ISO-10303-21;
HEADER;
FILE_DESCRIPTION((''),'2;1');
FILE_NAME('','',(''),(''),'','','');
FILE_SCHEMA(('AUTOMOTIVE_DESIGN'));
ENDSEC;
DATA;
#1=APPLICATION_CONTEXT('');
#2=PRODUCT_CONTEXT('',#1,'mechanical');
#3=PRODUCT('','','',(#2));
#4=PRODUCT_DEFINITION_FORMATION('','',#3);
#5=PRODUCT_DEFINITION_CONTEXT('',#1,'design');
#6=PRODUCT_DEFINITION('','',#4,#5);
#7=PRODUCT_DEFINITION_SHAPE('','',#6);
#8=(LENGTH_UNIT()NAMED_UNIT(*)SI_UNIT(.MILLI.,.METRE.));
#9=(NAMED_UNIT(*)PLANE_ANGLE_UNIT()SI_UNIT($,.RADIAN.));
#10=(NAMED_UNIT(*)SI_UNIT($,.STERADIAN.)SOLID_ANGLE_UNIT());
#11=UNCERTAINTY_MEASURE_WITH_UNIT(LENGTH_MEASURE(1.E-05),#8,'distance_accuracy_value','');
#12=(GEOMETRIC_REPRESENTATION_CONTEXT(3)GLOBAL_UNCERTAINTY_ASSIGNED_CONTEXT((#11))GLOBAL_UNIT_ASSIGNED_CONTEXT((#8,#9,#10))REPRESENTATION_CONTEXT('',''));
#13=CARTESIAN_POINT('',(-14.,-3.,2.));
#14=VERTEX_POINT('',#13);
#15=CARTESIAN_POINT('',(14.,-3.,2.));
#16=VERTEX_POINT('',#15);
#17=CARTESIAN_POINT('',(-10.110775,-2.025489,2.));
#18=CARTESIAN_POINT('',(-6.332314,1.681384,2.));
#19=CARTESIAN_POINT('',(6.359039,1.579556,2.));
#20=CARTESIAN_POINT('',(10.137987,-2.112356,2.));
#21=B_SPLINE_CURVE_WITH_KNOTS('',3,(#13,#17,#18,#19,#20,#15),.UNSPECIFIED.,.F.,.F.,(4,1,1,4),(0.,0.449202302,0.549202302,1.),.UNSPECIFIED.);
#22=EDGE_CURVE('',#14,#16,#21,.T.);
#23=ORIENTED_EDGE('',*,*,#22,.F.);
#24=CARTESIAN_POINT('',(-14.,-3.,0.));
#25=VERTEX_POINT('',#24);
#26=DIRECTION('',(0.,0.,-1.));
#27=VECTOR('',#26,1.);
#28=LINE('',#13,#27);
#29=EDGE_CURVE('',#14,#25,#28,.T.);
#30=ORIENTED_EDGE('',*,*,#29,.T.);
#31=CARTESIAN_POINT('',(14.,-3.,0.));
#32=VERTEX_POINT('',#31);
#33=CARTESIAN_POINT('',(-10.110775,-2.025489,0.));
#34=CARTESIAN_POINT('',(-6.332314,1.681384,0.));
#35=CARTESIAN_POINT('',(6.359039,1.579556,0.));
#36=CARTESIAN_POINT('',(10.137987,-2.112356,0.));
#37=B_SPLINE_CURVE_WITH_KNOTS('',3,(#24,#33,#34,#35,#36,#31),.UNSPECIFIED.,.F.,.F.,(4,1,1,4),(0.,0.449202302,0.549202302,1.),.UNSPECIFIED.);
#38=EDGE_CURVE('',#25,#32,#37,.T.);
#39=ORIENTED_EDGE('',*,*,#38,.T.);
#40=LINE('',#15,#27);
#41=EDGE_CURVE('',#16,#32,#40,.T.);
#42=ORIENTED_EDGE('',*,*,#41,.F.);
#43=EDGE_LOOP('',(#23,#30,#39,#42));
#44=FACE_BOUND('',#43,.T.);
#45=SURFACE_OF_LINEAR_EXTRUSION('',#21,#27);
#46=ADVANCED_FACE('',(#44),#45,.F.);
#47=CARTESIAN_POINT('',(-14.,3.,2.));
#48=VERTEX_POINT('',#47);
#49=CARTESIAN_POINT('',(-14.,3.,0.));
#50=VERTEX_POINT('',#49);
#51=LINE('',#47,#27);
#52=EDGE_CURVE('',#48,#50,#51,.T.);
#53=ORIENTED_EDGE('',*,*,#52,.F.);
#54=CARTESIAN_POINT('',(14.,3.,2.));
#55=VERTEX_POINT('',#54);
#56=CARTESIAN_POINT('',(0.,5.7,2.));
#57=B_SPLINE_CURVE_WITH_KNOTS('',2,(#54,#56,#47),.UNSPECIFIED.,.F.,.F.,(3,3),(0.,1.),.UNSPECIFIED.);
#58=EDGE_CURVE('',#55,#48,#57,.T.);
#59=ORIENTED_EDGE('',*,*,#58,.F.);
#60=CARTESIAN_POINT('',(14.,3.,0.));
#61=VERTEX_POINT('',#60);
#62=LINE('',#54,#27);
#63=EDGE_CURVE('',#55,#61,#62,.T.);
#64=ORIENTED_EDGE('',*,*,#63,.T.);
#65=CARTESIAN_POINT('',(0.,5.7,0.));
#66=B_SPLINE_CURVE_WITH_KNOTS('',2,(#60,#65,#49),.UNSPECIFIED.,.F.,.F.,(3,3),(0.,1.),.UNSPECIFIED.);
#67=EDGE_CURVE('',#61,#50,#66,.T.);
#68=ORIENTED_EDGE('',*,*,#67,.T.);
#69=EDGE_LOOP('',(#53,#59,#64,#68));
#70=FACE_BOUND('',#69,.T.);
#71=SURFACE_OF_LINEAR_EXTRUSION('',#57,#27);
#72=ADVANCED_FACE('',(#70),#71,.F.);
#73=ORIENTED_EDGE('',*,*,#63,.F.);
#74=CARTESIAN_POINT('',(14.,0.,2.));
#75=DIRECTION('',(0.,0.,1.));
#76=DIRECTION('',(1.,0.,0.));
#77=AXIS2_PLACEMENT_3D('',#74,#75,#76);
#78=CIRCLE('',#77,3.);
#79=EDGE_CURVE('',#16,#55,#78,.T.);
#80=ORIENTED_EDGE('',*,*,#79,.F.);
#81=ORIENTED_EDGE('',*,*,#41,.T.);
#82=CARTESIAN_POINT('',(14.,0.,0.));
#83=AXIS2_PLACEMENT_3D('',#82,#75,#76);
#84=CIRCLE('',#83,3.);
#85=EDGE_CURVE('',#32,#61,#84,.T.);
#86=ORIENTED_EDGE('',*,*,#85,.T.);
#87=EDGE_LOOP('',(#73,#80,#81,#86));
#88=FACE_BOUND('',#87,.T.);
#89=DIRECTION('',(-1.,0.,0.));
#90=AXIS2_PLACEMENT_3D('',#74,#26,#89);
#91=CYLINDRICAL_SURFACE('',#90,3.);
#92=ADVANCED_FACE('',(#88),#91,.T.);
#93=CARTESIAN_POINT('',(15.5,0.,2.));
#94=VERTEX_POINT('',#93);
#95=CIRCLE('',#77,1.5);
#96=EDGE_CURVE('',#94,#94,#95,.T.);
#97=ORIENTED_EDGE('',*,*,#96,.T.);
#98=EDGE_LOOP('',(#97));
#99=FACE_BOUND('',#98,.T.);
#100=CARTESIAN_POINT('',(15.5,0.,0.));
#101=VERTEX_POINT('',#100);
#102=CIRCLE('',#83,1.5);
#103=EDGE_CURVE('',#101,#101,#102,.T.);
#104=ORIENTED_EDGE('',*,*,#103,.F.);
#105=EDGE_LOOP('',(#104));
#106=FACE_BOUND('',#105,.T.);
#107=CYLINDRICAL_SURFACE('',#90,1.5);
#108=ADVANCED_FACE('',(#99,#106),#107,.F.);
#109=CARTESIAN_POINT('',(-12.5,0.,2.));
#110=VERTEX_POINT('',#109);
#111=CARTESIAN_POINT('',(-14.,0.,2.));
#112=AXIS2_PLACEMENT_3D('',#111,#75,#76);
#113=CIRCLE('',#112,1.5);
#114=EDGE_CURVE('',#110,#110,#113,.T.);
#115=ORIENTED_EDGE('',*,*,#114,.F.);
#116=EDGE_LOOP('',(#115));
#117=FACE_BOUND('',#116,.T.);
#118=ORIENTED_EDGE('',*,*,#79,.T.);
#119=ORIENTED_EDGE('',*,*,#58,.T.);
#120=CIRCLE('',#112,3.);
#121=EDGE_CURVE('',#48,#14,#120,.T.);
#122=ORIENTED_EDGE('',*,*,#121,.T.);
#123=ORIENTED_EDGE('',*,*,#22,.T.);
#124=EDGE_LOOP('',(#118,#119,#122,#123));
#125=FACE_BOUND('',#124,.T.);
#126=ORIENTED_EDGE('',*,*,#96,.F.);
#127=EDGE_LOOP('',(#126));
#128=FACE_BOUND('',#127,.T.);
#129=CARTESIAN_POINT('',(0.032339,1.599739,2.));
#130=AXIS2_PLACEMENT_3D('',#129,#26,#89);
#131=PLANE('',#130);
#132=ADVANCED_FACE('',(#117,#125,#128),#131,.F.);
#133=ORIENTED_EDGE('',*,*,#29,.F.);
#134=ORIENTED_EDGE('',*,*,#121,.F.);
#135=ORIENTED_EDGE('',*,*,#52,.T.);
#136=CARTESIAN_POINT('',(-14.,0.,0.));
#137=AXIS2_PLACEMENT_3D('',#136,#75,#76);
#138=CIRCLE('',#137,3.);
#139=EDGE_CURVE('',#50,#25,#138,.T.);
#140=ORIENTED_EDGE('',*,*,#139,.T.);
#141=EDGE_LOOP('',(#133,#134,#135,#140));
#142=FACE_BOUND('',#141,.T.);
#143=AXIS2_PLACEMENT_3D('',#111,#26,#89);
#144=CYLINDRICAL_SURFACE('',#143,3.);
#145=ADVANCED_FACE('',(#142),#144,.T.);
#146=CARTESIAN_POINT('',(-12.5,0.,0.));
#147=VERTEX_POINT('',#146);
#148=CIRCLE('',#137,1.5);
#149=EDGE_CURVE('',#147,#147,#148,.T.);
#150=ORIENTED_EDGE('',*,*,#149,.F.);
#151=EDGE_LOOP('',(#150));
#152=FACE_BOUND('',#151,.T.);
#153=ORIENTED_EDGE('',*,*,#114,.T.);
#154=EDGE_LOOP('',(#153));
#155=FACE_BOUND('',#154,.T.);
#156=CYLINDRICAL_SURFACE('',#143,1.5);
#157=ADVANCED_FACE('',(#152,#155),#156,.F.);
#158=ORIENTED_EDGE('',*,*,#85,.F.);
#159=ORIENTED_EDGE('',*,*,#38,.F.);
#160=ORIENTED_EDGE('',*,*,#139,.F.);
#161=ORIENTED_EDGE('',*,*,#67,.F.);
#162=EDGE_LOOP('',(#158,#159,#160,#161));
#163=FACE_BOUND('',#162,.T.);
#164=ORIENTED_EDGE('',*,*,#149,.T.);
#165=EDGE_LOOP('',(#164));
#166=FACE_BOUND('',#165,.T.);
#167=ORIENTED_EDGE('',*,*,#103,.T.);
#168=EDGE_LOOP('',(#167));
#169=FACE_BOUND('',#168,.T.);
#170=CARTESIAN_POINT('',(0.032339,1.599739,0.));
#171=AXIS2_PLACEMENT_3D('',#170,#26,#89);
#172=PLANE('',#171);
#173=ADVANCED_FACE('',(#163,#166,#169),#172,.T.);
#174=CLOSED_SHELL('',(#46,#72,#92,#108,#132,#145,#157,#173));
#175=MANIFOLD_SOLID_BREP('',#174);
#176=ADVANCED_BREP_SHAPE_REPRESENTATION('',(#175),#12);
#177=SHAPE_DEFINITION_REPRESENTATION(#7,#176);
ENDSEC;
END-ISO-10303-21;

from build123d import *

# Parameters (mm, degrees)
SKETCH1_R           = 1.5
BOSS_EXTRUDE1_DEPTH = 2


with BuildPart() as part:
    # Sketch1 → Boss-Extrude1 (new body)
    with BuildSketch(Plane.XY):
        with BuildLine():
            ThreePointArc((-14, 3), (-17, 0), (-14, -3))
            add(Edge.make_bspline(
                [(-14, -3), (-10.110775288, -2.025488943), (-6.332313911, 1.681383892), (6.35903931, 1.579555666), (10.137986604, -2.11235599), (14, -3)],
                knots=[0, 0, 0, 0, 0.449202302, 0.549202302, 1, 1, 1, 1], degree=3))
            ThreePointArc((14, -3), (17, 0), (14, 3))
            add(Edge.make_bspline(
                [(-14, 3), (0, 5.7), (14, 3)],
                knots=[0, 0, 0, 1, 1, 1], degree=2))
        make_face()
        with Locations((-14, 0)):
            Circle(SKETCH1_R, mode=Mode.SUBTRACT)
        with Locations((14, 0)):
            Circle(SKETCH1_R, mode=Mode.SUBTRACT)
    extrude(amount=BOSS_EXTRUDE1_DEPTH)


solid = part.part
